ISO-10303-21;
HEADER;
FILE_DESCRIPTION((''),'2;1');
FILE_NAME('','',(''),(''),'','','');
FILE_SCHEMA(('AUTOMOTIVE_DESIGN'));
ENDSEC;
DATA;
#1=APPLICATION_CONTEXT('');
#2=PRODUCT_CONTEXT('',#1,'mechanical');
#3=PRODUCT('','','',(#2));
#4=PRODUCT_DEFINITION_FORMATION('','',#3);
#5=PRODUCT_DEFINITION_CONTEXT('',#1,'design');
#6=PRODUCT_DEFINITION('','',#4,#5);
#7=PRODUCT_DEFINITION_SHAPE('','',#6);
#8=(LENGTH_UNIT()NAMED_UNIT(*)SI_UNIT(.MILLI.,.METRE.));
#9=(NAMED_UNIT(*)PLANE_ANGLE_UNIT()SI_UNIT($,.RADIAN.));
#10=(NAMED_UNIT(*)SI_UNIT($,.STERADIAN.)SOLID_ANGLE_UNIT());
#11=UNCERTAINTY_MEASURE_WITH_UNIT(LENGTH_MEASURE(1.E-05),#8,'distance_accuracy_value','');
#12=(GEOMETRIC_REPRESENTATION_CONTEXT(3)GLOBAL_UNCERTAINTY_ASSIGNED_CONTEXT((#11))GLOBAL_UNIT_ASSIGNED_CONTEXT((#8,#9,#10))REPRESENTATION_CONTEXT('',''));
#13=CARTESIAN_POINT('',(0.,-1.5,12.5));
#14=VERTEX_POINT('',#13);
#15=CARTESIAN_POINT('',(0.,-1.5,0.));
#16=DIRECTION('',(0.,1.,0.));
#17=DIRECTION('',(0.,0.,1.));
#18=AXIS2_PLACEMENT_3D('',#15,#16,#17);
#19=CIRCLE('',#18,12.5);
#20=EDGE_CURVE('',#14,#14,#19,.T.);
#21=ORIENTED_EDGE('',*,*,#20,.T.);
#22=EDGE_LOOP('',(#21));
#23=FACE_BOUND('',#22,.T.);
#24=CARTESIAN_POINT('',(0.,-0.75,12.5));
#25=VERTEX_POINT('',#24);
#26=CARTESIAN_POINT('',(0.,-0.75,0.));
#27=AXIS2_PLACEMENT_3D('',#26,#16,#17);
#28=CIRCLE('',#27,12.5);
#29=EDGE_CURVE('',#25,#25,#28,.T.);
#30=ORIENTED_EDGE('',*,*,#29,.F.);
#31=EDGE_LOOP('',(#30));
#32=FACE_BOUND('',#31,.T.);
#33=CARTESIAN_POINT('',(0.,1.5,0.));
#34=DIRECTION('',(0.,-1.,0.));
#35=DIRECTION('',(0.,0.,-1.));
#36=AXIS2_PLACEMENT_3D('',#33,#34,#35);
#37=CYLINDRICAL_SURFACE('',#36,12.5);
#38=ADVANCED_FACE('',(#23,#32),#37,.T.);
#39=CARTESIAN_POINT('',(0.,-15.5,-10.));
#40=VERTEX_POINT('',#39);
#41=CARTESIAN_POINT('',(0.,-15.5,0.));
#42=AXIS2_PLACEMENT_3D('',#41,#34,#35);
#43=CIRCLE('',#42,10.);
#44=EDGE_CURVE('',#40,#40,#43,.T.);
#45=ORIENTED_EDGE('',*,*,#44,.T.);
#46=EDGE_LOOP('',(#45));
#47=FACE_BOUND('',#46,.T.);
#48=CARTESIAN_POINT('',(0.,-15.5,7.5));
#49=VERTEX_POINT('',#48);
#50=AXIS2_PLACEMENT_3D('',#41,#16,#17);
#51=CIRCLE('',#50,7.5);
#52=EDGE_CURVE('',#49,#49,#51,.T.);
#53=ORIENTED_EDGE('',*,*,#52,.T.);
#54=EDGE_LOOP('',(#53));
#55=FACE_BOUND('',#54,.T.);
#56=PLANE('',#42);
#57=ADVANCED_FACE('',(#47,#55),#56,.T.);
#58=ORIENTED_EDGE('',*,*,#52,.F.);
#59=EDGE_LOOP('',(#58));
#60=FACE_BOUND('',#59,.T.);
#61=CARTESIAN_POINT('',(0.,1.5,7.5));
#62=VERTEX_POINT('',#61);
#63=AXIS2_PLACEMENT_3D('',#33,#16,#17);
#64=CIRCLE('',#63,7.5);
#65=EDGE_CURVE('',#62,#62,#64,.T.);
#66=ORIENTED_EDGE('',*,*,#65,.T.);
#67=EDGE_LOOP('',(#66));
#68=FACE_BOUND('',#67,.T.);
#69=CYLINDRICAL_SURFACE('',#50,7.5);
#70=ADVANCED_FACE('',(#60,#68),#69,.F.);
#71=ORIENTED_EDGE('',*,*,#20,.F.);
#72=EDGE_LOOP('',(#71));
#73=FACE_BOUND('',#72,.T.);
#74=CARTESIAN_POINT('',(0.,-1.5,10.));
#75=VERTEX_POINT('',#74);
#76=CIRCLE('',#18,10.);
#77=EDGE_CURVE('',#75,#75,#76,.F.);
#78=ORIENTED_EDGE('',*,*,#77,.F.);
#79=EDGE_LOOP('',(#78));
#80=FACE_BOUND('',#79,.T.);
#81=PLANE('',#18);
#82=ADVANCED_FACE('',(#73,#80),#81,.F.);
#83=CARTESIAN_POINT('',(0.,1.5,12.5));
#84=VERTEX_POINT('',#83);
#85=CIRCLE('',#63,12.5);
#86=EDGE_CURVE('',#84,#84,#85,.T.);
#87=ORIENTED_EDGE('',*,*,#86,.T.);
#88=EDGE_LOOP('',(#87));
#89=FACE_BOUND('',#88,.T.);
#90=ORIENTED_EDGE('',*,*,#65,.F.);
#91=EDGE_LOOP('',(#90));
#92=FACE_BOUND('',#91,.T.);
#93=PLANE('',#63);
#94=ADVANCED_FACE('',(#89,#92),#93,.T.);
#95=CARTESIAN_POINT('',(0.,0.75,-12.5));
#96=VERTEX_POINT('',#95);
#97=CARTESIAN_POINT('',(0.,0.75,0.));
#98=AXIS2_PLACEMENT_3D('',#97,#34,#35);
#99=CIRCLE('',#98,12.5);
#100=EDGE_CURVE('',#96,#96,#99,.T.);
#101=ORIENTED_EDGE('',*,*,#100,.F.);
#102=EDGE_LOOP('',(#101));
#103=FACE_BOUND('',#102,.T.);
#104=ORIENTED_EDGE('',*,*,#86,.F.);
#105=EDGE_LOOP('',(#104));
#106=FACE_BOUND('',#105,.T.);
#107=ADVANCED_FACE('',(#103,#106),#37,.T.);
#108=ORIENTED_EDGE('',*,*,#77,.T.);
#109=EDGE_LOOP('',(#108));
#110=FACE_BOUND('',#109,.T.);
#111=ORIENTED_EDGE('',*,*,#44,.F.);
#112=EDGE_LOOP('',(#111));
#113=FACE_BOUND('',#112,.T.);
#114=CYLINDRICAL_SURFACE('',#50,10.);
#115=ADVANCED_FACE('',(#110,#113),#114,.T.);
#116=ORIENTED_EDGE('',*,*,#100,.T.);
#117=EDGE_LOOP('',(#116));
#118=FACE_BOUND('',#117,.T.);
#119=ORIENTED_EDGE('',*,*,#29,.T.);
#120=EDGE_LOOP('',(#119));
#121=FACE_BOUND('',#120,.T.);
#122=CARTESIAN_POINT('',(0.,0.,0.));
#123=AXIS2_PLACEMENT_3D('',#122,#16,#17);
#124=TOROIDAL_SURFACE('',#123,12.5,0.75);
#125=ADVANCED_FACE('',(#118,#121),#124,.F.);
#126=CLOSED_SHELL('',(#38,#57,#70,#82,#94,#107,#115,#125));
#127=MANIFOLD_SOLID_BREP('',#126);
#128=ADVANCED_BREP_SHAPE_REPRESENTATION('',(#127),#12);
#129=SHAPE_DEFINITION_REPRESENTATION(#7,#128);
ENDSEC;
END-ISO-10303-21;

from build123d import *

# Parameters (mm, degrees)
CROQUIS1_R              = 12.5
SALIENTE_EXTRUIR1_DEPTH = 1.5
CROQUIS2_R              = 0.75
CROQUIS4_R              = 10
SALIENTE_EXTRUIR2_DEPTH = 14
CROQUIS3_R              = 7.5
CORTAR_EXTRUIR1_DEPTH   = 25.525496937


with BuildPart() as part:
    # Croquis1 → Saliente-Extruir1 (new, symmetric)
    with BuildSketch(Plane(origin=(0, 0, 0), x_dir=(1, 0, 0), z_dir=(0, 1, 0))):
        with Locations(Location((0, 0, 0), (0, 0, 270))):
            Circle(CROQUIS1_R)
    extrude(amount=SALIENTE_EXTRUIR1_DEPTH, both=True)

    # Croquis2 → Cortar-Revolución1 (revolve, cut)
    with BuildSketch(Plane(origin=(0, 0, 0), x_dir=(0, 0, -1), z_dir=(1, 0, 0)), mode=Mode.PRIVATE) as cortar_revoluci_n1_sk:
        with Locations((12.5, 0)):
            Circle(CROQUIS2_R)
    revolve(cortar_revoluci_n1_sk.sketch.rotate(Axis((0, 1.5, 0), (0, -1, 0)), 180), axis=Axis((0, 1.5, 0), (0, -1, 0)), mode=Mode.SUBTRACT)

    # Croquis4 → Saliente-Extruir2 (add)
    with BuildSketch(Plane.XZ.offset(1.5)):
        with Locations(Location((0, 0, 0), (0, 0, 90))):
            Circle(CROQUIS4_R)
    extrude(amount=SALIENTE_EXTRUIR2_DEPTH)

    # Croquis3 → Cortar-Extruir1 (cut, through all)
    with BuildSketch(Plane(origin=(0, 1.5, 0), x_dir=(1, 0, 0), z_dir=(0, 1, 0))):
        with Locations(Location((0, 0, 0), (0, 0, 270))):
            Circle(CROQUIS3_R)
    extrude(amount=-CORTAR_EXTRUIR1_DEPTH, mode=Mode.SUBTRACT)


solid = part.part
